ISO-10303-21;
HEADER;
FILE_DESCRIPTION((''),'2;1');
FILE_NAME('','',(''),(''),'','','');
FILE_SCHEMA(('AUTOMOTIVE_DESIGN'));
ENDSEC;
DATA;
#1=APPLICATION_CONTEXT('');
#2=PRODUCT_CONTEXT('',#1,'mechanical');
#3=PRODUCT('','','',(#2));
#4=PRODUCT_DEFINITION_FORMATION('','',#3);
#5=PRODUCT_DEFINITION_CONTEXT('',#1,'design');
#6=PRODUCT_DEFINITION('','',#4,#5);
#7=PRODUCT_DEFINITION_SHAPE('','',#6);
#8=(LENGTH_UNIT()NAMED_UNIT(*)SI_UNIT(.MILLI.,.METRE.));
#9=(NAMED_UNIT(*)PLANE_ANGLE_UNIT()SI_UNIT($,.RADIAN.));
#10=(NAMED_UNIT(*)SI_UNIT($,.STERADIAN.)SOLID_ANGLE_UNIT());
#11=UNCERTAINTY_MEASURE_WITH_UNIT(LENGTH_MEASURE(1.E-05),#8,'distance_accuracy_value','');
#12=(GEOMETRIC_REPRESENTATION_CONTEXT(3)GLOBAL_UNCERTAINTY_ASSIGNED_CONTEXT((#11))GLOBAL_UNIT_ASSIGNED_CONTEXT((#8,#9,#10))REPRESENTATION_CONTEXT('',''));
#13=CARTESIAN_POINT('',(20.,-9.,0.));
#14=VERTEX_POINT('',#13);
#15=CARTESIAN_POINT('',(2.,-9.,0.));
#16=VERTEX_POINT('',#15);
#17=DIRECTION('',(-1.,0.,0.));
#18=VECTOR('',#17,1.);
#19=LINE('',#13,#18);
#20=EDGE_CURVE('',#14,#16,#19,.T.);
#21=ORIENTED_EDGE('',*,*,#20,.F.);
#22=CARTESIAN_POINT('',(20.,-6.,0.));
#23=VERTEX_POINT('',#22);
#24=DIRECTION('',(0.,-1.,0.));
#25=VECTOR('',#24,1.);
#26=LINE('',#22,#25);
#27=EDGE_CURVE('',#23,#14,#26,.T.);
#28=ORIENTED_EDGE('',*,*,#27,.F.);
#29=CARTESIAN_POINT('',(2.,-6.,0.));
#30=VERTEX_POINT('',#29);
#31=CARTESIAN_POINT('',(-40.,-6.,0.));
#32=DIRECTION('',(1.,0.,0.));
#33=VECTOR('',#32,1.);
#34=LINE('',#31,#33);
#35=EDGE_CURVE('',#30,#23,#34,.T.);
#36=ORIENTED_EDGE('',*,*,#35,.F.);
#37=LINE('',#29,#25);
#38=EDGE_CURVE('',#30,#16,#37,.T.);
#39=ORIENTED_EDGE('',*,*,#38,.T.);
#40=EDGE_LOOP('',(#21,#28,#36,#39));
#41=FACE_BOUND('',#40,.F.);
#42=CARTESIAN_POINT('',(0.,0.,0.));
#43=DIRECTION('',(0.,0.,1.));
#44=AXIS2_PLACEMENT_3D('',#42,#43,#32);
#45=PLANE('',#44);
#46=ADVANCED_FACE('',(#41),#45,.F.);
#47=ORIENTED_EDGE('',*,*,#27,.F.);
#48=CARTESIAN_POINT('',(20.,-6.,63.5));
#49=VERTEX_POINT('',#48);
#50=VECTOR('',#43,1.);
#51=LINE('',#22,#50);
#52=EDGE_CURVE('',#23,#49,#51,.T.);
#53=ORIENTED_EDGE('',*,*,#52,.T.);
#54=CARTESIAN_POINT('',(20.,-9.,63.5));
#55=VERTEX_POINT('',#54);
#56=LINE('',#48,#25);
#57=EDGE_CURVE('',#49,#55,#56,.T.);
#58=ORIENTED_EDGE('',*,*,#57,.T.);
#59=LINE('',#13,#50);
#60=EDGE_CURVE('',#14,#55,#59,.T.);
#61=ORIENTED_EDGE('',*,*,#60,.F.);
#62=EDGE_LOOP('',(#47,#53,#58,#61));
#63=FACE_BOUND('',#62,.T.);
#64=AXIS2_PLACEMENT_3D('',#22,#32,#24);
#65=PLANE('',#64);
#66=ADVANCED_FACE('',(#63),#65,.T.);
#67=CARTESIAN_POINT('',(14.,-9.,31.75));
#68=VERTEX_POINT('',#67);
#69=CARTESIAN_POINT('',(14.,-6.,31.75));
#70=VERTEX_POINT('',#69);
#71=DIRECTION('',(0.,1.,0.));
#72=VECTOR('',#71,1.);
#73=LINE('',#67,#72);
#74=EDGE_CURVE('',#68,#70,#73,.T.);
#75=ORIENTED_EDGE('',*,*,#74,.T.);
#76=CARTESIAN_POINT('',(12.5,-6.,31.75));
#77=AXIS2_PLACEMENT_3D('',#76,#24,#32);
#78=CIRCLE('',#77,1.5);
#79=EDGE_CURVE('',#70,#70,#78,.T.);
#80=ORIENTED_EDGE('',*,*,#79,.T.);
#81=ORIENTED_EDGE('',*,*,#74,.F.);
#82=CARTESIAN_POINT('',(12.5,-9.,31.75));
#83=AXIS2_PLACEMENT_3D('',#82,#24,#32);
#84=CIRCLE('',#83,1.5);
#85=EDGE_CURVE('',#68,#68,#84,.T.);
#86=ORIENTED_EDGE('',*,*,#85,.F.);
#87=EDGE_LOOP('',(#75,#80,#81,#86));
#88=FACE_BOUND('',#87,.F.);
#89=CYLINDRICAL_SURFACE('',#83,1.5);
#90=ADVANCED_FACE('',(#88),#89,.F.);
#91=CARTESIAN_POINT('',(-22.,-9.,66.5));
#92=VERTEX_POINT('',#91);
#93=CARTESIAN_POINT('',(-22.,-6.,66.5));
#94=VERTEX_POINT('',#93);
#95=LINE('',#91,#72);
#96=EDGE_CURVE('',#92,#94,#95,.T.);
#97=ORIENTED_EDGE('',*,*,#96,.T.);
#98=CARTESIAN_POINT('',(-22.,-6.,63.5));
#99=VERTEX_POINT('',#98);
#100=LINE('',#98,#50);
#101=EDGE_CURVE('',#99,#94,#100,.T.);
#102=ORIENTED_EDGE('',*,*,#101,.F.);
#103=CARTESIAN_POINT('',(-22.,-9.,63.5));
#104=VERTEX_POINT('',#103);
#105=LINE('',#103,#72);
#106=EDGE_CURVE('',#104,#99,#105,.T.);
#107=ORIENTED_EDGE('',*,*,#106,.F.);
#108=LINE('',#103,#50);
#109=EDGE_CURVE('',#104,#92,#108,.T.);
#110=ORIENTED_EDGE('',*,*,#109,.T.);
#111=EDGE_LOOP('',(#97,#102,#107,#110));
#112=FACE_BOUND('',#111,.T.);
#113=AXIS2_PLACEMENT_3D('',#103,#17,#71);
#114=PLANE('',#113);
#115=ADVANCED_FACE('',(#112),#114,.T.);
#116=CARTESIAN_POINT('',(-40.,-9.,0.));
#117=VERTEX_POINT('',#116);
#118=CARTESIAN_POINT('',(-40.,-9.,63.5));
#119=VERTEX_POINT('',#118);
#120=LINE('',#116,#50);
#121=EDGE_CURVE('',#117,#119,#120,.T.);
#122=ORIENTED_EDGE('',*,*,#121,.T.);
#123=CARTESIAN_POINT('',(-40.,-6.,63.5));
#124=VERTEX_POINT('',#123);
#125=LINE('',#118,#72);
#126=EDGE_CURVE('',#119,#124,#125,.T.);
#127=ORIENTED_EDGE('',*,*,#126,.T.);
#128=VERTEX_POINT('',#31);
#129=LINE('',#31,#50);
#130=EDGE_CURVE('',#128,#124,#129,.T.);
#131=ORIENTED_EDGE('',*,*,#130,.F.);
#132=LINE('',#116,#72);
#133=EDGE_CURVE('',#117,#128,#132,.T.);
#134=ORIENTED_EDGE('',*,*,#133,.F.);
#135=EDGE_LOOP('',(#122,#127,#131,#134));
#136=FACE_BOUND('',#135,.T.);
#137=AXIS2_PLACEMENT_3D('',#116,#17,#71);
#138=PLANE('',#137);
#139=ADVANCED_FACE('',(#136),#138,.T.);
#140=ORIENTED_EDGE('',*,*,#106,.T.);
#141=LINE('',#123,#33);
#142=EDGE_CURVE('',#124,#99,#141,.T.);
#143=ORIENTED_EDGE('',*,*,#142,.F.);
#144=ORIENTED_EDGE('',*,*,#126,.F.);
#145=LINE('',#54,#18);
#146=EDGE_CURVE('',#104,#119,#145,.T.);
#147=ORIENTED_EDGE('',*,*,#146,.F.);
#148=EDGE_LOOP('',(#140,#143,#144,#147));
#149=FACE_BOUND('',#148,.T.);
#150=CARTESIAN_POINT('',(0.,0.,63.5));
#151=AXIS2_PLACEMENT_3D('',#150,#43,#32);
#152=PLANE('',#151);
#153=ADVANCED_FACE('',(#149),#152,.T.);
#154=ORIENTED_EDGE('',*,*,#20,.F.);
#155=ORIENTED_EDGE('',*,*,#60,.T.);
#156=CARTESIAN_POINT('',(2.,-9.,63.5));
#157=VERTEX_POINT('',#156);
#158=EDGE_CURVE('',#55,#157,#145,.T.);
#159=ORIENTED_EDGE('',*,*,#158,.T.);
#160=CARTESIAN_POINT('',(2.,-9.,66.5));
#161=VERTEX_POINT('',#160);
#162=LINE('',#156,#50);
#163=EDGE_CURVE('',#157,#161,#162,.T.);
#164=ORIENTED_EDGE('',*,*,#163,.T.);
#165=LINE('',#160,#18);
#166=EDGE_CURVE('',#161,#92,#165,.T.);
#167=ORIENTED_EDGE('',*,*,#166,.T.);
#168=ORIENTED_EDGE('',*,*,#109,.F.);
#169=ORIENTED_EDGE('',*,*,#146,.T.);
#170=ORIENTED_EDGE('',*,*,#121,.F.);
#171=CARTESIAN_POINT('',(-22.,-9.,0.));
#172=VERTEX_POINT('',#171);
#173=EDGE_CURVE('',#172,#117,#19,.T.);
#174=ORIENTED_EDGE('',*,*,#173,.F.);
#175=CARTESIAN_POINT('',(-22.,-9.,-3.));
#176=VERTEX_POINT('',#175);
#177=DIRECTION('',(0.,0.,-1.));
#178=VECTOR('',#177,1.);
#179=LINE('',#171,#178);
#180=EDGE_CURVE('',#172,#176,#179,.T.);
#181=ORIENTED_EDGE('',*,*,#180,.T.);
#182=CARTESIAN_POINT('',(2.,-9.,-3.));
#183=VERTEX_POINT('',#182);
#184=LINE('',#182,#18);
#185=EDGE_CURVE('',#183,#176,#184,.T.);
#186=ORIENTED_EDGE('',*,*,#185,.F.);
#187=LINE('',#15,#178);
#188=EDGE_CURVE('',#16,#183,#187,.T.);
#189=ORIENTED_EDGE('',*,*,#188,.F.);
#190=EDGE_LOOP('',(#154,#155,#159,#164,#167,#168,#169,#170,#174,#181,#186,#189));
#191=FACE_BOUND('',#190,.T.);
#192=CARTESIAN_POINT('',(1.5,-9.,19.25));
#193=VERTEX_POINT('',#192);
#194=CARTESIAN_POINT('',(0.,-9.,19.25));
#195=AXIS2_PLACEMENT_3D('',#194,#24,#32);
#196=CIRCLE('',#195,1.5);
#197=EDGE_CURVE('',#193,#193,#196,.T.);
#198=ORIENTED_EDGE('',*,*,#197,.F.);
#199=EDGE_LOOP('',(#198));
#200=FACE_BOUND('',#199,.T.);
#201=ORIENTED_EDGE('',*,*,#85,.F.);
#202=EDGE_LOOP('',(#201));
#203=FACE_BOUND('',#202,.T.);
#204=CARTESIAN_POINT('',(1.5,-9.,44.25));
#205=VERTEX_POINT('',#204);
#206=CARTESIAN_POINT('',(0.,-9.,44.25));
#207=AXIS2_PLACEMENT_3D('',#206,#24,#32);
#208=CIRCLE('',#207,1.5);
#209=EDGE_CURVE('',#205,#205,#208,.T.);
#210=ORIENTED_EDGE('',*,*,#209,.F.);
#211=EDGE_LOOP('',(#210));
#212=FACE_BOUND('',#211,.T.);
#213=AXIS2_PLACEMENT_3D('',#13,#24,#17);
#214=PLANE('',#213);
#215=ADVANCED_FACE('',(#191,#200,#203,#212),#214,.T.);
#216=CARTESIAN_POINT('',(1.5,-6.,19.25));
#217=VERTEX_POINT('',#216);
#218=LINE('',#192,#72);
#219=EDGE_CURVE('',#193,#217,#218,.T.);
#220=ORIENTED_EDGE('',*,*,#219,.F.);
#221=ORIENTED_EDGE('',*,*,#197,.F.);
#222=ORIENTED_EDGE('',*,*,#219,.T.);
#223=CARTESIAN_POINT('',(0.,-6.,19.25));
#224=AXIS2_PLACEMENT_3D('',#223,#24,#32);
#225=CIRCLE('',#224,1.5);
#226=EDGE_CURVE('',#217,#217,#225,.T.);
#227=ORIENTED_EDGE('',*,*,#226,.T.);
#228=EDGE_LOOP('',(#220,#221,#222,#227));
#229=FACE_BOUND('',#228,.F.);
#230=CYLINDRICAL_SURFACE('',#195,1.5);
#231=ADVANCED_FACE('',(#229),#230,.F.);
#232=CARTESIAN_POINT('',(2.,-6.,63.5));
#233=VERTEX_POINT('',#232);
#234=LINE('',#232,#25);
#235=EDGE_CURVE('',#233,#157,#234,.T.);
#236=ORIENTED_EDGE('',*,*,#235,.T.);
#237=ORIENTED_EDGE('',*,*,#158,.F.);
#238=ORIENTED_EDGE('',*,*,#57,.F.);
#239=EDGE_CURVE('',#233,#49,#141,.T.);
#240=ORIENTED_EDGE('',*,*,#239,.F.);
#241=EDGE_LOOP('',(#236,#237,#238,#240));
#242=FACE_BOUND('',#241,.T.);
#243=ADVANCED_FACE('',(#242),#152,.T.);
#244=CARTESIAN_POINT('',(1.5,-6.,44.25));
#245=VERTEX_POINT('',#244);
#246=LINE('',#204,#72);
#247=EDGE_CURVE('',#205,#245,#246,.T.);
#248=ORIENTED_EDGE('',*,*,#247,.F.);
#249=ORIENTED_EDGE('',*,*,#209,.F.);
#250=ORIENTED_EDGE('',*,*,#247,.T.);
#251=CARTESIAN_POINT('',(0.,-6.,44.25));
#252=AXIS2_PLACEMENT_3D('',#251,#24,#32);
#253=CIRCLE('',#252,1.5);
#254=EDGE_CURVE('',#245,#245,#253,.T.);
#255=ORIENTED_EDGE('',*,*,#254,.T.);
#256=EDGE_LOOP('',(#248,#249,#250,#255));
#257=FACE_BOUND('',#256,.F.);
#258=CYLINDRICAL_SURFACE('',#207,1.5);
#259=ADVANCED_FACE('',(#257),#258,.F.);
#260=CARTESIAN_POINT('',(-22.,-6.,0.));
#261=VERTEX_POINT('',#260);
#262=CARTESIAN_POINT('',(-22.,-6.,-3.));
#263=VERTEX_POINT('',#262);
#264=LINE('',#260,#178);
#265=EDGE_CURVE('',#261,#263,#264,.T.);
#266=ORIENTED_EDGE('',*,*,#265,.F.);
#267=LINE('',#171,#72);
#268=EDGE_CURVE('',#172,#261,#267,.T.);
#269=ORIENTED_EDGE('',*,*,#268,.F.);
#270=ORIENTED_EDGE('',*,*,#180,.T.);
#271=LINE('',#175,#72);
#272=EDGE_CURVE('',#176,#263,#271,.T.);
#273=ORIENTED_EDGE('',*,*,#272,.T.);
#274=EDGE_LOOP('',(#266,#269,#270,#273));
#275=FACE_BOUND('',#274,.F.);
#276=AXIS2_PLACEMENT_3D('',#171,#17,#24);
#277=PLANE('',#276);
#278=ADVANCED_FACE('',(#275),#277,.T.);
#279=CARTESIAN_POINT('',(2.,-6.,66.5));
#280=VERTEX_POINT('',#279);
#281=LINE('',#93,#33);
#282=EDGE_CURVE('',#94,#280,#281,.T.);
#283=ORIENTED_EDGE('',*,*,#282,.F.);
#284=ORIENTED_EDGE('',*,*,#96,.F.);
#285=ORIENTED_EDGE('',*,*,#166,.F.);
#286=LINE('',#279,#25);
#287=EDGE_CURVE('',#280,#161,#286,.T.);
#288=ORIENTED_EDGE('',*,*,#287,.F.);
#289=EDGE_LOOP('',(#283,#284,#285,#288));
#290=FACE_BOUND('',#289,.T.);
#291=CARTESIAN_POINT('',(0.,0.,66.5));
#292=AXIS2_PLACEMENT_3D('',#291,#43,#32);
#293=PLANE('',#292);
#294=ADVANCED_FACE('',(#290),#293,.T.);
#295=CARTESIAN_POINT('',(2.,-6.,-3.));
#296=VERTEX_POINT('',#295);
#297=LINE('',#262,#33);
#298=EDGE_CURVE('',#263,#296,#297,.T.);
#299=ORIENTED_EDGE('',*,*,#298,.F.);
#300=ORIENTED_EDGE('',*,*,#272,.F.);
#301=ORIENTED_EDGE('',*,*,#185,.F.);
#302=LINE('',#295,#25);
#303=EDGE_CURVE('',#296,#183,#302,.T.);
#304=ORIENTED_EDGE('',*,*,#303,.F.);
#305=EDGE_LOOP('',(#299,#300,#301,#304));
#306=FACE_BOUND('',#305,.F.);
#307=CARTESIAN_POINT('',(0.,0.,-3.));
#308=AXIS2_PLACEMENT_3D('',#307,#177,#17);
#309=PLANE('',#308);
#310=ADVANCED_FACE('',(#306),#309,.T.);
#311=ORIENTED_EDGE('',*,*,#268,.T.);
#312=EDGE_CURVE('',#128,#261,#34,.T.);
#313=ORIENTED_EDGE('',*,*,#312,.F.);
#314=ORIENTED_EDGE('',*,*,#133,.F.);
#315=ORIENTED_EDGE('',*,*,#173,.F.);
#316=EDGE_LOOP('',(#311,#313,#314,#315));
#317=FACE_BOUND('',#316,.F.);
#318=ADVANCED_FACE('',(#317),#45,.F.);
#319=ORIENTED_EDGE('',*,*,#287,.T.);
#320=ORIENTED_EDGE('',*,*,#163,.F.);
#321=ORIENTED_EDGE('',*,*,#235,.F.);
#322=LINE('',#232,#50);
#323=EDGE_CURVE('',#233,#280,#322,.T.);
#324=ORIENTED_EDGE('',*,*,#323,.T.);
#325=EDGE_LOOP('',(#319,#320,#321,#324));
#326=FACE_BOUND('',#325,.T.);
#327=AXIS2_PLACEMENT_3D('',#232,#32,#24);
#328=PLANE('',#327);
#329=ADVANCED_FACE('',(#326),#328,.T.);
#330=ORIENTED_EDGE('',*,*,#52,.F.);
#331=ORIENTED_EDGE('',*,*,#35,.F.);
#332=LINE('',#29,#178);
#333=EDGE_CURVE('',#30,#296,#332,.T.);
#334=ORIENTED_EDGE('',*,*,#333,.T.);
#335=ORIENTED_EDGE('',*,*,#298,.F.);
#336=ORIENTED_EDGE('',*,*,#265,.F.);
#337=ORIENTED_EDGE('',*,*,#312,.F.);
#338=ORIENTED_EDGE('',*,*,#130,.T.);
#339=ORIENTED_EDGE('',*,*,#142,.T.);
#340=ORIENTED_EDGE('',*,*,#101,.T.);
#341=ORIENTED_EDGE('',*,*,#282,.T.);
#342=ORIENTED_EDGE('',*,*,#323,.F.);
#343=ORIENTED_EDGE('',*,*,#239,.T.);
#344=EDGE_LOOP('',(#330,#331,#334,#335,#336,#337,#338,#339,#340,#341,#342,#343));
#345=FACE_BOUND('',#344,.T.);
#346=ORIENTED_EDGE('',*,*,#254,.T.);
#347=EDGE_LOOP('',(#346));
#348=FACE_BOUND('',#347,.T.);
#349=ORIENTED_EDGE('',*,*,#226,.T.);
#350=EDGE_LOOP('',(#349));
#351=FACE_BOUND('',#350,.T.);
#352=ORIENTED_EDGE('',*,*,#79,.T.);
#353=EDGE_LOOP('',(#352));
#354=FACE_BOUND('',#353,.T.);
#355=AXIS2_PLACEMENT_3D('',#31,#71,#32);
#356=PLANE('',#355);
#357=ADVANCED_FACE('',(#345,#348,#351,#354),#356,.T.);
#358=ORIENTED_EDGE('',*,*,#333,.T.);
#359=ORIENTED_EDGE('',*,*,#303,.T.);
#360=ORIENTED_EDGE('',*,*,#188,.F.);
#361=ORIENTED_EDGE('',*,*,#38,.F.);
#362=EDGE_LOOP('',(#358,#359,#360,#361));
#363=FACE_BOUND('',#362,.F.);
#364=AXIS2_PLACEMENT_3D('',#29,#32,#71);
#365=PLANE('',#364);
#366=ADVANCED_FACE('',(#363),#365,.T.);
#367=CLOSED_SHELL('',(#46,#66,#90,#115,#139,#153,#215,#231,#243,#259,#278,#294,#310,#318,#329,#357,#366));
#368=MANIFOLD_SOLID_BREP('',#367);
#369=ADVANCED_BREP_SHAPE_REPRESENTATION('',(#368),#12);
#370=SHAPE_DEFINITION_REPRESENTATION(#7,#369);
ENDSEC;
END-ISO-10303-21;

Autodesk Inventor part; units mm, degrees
ref_plane "YZ Plane" through (0, 0, 0) normal (1, 0, 0) x (0, 1, 0)
ref_plane "XZ Plane" through (0, 0, 0) normal (0, 1, 0) x (-1, 0, 0)
ref_plane "XY Plane" through (0, 0, 0) normal (0, 0, 1) x (1, 0, 0)
sketch "Sketch1" plane through (0, 0, 0) normal (0, 0, 1) x (1, 0, 0)
  line L0 (2, -6) -> (2, -9) construction
  line L1 (-22, -9) -> (-22, -6) construction
  line L2 (20, -40) -> (20, -3) construction
  line L3 (-40, -3) -> (-40, -40) construction
  line L4 (20, -9) -> (-40, -9)
  line L5 (-40, -9) -> (-40, -6)
  line L6 (-40, -6) -> (20, -6)
  line L7 (20, -6) -> (20, -9)
  point P0 (0, 0)
  dimension "d0" = 3
  dimension "d1" = 60
extrude "Extrusion1" add sketch "Sketch1" along normal blind 63.5
sketch "Sketch2" plane through (0, 0, 63.5) normal (0, 0, 1) x (1, 0, 0)
  line L0 (-22, -9) -> (-22, -6) projected
  line L1 (2, -9) -> (-22, -9) projected
  line L2 (-22, -6) -> (2, -6) projected
  line L3 (2, -6) -> (2, -9) projected
  point P0 (0, 0)
extrude "Extrusion2" add sketch "Sketch2" along normal blind 3
ref_plane "Work Plane1" through (0, 0, 31.75) normal (0, 0, 1) x (1, 0, 0)
mirror "Mirror1" about plane through (0, 0, 31.75) normal (0, 0, 1) of "Extrusion2"
sketch "Sketch3" plane through (20, -9, 0) normal (0, -1, 0) x (1, 0, 0)
  circle A0 centre (-7.5, 31.75) radius 1.5 projected
  circle A1 centre (-20, 44.25) radius 1.5 projected
  circle A2 centre (-20, 19.25) radius 1.5 projected
  point P0 (-20, 0)
extrude "Extrusion3" cut sketch "Sketch3" against normal blind 3
properties part number "Pan base cross bar"
